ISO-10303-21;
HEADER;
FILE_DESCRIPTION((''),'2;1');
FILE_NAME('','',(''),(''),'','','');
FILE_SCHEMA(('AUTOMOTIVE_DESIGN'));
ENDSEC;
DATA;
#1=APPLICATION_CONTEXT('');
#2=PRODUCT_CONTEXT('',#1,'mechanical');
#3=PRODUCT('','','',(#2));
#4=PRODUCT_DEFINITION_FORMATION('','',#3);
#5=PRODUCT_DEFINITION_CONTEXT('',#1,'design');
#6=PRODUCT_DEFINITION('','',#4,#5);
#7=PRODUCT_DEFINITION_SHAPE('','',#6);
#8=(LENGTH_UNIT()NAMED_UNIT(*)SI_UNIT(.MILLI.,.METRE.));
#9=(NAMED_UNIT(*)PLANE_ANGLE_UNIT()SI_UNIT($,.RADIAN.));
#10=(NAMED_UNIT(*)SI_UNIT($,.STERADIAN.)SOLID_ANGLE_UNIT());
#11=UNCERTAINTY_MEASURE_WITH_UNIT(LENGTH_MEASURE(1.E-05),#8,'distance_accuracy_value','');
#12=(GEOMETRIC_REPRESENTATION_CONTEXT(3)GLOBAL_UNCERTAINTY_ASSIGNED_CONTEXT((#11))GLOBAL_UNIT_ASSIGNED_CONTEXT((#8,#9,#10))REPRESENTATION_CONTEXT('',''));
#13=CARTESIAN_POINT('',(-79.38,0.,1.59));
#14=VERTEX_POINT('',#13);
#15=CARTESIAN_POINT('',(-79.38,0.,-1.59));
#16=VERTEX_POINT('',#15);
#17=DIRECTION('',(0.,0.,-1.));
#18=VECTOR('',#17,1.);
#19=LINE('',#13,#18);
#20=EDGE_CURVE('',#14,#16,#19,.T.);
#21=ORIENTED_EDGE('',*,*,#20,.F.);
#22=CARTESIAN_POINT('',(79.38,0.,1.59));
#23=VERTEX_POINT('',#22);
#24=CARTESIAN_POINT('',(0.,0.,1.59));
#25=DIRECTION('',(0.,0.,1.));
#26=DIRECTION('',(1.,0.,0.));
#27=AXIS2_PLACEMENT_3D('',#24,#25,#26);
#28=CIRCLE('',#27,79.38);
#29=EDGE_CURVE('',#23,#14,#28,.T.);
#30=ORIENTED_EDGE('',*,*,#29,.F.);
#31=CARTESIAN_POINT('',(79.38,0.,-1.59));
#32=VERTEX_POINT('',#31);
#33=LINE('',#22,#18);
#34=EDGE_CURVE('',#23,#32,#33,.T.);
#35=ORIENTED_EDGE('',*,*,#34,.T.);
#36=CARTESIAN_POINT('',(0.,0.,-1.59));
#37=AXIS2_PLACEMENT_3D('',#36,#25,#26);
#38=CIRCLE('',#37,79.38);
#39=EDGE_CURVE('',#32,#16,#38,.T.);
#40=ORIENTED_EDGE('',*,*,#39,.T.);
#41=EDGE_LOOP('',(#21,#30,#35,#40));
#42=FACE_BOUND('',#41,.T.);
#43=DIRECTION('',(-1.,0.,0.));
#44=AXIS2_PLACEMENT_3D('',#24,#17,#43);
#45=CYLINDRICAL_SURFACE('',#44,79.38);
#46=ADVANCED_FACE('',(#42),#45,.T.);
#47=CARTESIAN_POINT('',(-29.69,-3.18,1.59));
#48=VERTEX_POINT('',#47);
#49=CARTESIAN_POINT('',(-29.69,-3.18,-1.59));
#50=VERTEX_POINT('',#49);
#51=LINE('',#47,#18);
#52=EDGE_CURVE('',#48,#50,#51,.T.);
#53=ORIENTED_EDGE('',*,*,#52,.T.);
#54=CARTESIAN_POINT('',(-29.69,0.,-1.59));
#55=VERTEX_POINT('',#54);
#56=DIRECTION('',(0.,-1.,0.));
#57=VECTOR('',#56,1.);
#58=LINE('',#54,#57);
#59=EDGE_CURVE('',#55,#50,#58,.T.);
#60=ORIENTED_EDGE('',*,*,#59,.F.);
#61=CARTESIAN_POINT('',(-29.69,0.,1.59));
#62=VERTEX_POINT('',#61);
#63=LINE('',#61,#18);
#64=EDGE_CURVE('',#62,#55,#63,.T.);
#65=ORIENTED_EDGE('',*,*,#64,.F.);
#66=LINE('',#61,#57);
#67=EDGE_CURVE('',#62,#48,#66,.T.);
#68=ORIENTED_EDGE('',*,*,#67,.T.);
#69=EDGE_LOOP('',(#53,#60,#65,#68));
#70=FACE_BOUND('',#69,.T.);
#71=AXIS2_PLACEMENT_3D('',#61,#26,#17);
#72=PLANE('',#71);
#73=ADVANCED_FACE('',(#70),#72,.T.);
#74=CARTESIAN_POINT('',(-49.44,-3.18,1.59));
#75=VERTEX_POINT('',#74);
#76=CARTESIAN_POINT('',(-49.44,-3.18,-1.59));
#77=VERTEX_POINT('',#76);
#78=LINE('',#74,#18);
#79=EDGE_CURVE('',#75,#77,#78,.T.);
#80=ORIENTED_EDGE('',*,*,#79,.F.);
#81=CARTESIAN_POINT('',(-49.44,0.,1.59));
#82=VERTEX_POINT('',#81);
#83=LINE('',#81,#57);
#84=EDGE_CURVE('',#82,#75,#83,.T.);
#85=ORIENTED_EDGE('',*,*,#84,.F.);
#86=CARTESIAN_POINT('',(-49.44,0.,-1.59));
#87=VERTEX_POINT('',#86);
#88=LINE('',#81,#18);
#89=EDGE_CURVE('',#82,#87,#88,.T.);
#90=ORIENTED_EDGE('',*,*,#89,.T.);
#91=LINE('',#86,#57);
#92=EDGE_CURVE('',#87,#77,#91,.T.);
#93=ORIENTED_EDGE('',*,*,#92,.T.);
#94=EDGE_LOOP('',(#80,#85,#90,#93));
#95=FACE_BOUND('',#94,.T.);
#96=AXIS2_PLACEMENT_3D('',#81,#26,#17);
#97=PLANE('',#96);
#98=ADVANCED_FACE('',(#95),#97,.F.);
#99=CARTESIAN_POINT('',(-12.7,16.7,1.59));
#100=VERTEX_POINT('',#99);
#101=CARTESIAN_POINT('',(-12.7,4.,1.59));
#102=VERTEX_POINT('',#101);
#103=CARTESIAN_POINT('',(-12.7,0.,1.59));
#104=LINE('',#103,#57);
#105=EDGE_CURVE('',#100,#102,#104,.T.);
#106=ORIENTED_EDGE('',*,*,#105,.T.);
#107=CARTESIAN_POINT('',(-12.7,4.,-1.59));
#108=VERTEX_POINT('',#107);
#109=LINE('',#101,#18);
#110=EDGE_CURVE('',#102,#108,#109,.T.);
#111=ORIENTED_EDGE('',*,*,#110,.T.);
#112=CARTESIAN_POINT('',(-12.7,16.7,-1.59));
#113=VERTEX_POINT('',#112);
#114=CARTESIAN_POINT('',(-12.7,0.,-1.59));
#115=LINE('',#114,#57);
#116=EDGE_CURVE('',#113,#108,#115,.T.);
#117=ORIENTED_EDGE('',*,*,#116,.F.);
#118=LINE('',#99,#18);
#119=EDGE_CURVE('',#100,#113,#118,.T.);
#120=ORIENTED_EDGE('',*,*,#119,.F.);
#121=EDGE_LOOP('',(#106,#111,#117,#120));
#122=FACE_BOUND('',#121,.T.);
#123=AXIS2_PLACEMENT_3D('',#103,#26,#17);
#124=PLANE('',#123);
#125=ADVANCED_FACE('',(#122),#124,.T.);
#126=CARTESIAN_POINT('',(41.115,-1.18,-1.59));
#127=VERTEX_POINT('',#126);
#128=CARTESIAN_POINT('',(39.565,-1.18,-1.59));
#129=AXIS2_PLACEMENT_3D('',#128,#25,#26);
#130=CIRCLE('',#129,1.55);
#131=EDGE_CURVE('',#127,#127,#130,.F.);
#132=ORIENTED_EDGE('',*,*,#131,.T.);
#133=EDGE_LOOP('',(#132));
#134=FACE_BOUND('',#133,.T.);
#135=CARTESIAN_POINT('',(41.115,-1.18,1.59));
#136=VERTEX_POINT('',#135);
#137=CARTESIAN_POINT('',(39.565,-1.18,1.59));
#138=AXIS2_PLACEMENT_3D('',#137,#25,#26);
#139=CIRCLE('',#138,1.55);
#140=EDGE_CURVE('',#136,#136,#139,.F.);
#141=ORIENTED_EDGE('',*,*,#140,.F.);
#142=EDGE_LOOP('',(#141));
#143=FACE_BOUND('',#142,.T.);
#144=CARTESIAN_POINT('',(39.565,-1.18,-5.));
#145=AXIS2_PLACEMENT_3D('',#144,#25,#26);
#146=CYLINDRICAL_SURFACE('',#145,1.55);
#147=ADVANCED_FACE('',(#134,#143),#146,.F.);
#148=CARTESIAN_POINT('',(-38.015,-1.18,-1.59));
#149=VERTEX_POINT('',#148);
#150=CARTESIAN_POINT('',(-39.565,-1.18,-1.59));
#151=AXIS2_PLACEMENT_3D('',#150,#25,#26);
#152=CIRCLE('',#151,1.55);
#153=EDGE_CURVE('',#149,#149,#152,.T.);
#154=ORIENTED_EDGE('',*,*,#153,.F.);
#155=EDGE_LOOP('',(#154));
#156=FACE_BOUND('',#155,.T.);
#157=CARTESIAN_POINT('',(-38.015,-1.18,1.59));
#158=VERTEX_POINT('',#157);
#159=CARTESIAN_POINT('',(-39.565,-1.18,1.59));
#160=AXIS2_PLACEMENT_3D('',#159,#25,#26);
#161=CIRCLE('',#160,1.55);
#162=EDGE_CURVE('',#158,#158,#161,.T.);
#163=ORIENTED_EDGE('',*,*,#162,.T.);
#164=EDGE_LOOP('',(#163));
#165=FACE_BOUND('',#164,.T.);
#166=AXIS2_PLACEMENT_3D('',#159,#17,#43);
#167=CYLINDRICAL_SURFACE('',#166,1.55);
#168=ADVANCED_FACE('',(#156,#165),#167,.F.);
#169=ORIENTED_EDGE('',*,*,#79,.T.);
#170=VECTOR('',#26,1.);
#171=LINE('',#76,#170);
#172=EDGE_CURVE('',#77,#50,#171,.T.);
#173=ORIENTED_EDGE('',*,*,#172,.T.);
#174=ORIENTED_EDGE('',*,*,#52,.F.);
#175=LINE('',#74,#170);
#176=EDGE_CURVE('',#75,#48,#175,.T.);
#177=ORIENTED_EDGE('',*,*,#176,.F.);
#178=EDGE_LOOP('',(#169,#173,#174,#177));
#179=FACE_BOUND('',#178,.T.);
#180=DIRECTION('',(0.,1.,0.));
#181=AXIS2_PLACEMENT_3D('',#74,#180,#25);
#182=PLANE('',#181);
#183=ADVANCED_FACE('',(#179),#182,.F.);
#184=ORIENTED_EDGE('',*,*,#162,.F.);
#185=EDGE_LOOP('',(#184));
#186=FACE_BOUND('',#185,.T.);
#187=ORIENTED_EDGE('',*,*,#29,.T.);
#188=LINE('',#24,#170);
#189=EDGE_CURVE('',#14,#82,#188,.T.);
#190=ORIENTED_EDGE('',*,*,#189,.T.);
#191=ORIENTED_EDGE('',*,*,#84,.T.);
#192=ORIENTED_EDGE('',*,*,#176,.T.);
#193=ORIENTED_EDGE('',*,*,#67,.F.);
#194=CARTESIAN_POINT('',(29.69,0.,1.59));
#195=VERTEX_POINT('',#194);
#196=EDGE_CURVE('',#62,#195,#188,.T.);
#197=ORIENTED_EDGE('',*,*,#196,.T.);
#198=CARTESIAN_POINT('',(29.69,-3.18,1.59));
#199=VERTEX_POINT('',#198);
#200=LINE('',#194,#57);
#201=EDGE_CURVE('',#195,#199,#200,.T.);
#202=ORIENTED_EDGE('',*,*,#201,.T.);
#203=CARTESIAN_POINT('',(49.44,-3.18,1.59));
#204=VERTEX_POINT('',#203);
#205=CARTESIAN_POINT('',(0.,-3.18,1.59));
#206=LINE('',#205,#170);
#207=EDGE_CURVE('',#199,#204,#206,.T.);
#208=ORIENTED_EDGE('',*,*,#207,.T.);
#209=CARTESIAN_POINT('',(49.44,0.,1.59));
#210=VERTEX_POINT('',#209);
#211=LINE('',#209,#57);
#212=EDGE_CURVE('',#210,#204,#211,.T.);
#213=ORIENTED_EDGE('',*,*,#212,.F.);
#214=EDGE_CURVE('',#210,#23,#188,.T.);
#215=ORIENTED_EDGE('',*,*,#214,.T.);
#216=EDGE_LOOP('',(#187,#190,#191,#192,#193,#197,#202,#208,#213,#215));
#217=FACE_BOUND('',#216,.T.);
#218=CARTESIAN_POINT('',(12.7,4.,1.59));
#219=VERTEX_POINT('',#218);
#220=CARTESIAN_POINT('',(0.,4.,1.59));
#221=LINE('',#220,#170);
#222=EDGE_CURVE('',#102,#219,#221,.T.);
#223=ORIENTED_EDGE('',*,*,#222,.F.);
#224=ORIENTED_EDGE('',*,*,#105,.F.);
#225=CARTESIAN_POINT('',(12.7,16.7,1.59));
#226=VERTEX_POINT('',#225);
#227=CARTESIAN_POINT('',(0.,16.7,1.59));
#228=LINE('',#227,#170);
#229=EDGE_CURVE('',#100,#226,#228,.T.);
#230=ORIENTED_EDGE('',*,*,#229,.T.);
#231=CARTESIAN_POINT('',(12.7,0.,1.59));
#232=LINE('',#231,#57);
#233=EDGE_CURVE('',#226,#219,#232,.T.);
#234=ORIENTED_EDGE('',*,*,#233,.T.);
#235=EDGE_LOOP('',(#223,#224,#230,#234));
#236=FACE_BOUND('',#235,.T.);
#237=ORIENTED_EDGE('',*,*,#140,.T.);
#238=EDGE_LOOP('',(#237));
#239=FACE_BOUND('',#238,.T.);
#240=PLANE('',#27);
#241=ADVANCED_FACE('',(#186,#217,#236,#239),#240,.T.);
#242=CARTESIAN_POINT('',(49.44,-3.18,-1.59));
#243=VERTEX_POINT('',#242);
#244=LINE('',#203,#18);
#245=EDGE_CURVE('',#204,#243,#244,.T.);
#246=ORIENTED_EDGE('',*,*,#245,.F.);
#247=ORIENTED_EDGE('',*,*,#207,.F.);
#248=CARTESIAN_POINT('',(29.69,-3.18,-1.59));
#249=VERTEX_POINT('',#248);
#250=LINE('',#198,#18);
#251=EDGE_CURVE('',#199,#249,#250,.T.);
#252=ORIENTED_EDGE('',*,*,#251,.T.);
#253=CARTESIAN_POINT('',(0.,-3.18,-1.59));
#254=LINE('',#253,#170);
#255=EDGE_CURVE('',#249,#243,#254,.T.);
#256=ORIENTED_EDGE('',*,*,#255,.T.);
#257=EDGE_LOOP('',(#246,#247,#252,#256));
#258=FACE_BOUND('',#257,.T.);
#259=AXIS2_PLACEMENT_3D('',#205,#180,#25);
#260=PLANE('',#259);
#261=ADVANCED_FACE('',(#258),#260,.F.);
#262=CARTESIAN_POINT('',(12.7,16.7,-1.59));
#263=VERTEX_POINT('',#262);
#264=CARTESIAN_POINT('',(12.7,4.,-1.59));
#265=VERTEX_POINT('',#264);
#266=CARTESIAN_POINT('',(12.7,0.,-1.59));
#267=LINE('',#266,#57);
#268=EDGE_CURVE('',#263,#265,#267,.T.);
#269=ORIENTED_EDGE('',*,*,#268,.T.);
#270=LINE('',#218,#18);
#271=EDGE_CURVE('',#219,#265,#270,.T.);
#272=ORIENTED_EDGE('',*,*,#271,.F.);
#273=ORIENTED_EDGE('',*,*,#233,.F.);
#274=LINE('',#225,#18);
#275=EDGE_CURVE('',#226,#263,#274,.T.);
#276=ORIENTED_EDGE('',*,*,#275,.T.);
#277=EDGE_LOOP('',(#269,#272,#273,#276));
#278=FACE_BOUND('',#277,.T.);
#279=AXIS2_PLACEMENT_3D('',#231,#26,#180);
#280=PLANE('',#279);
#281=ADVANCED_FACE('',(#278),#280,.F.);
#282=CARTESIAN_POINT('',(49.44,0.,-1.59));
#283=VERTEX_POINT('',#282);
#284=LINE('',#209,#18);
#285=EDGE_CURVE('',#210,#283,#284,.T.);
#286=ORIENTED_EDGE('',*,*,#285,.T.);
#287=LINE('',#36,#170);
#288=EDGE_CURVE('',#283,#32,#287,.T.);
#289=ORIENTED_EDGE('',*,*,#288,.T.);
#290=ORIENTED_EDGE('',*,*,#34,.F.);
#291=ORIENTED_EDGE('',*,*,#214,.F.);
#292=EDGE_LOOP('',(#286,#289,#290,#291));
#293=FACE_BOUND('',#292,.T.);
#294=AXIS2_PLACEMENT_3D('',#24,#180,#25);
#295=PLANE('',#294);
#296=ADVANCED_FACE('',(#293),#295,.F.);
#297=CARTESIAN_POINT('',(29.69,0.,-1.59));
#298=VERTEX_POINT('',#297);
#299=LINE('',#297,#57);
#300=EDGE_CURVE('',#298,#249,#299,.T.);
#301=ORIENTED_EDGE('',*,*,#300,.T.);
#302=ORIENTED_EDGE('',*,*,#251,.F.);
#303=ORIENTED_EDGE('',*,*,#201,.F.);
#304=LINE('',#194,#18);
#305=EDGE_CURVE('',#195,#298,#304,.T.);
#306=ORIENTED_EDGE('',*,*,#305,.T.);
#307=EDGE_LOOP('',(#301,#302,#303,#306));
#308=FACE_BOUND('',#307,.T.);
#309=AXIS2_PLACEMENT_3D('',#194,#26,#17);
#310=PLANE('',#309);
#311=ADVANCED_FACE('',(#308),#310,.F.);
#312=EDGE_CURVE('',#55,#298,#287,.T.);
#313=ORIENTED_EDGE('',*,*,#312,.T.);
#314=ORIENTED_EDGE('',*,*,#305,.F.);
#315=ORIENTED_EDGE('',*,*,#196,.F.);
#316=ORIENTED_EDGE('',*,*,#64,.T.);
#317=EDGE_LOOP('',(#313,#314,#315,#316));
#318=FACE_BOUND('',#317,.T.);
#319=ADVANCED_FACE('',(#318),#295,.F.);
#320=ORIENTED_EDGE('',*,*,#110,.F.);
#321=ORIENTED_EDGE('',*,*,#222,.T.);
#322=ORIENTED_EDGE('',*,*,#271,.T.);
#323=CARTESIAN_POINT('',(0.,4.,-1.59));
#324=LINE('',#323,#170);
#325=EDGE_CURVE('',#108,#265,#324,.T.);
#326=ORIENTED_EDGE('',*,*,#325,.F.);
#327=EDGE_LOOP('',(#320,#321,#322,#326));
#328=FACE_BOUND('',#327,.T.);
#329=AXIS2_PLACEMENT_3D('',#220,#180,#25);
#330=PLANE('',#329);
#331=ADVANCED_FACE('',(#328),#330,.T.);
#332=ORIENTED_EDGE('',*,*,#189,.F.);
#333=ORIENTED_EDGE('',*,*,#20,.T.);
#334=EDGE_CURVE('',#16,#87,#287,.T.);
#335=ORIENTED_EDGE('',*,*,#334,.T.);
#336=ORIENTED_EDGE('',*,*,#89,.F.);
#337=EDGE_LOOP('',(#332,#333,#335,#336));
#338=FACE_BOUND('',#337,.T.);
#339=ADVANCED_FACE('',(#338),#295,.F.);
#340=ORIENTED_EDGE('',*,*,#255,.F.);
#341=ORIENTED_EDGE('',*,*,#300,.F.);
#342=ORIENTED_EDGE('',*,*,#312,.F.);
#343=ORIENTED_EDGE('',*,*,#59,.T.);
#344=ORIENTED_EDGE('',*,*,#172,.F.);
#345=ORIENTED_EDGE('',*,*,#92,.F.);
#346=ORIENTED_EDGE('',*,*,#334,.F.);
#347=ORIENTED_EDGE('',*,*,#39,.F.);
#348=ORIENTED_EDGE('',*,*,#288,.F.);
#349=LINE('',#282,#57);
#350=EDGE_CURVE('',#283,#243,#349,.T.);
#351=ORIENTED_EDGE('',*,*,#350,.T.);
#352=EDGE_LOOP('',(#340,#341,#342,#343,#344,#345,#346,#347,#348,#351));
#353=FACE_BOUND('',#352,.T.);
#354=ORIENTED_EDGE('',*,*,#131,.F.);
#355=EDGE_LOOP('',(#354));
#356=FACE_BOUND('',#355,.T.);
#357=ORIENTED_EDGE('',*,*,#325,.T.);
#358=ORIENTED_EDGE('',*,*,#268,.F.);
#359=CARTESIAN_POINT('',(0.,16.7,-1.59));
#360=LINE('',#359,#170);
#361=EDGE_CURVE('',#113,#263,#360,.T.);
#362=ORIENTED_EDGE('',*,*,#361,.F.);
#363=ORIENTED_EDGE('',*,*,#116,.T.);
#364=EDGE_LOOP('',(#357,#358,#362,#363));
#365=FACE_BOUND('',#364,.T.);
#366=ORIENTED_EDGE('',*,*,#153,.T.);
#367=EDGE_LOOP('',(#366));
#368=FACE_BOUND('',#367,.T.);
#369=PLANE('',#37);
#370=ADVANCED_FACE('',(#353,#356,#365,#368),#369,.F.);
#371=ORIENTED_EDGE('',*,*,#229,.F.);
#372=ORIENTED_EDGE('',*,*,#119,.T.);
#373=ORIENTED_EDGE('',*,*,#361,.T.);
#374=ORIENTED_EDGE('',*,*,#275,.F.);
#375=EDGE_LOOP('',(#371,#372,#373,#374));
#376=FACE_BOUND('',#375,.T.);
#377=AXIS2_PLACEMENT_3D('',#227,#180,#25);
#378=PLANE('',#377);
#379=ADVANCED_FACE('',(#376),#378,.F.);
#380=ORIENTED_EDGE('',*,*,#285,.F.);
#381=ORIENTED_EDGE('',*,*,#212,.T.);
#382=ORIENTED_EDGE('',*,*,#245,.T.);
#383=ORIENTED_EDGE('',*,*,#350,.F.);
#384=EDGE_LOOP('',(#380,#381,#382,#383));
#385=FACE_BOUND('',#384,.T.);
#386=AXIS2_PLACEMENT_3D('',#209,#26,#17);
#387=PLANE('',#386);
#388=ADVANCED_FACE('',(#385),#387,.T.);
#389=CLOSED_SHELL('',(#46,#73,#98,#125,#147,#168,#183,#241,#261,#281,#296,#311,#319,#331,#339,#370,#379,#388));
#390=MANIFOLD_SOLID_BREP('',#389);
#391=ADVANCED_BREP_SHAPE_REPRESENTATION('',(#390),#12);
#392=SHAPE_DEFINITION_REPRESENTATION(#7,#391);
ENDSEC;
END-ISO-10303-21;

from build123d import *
from build123d.topology import SkipClean

# Parameters (mm, degrees)
SKETCH1_W           = 25.4
SKETCH1_H           = 12.7
BOSS_EXTRUDE1_DEPTH = 1.59
SKETCH1_4_R         = 1.55
CUT_EXTRUDE2_DEPTH  = 5


with BuildPart() as part:
    # Sketch1 → Boss-Extrude1 (new, symmetric)
    with BuildSketch(Plane.XY):
        with BuildLine():
            ThreePointArc((79.38, 0), (0, 79.38), (-79.38, 0))
            Line((-79.38, 0), (-49.44, 0))
            Line((-49.44, 0), (-49.44, -3.18))
            Line((-49.44, -3.18), (-29.69, -3.18))
            Line((-29.69, -3.18), (-29.69, 0))
            Line((-29.69, 0), (29.69, 0))
            Line((29.69, 0), (29.69, -3.18))
            Line((29.69, -3.18), (49.44, -3.18))
            Line((49.44, -3.18), (49.44, 0))
            Line((49.44, 0), (79.38, 0))
        make_face()
        with BuildLine():
            ThreePointArc((-40.570037313, 0), (-39.565, 0.37), (-38.559962687, 0))
            Line((-38.559962687, 0), (-40.570037313, 0))
        make_face(mode=Mode.SUBTRACT)
        with Locations((0, 10.35)):
            Rectangle(SKETCH1_W, SKETCH1_H, mode=Mode.SUBTRACT)
    extrude(amount=BOSS_EXTRUDE1_DEPTH, both=True)

    # Sketch1<4> → Cut-Extrude2 (cut, symmetric)
    with SkipClean():  # the faces are left unmerged after this step: merging them gives an invalid solid
        with BuildSketch(Plane.XY):
            with Locations((-39.565, -1.18)):
                Circle(SKETCH1_4_R)
        cut_extrude2 = extrude(amount=CUT_EXTRUDE2_DEPTH, both=True, mode=Mode.SUBTRACT)

    # Mirror1: Cut-Extrude2 across plane
    with SkipClean():  # the faces are left unmerged after this step: merging them gives an invalid solid
        add(cut_extrude2.mirror(Plane(origin=(0, 0, 0), x_dir=(0, 0, 1), z_dir=(1, 0, 0))), mode=Mode.SUBTRACT)


solid = part.part
